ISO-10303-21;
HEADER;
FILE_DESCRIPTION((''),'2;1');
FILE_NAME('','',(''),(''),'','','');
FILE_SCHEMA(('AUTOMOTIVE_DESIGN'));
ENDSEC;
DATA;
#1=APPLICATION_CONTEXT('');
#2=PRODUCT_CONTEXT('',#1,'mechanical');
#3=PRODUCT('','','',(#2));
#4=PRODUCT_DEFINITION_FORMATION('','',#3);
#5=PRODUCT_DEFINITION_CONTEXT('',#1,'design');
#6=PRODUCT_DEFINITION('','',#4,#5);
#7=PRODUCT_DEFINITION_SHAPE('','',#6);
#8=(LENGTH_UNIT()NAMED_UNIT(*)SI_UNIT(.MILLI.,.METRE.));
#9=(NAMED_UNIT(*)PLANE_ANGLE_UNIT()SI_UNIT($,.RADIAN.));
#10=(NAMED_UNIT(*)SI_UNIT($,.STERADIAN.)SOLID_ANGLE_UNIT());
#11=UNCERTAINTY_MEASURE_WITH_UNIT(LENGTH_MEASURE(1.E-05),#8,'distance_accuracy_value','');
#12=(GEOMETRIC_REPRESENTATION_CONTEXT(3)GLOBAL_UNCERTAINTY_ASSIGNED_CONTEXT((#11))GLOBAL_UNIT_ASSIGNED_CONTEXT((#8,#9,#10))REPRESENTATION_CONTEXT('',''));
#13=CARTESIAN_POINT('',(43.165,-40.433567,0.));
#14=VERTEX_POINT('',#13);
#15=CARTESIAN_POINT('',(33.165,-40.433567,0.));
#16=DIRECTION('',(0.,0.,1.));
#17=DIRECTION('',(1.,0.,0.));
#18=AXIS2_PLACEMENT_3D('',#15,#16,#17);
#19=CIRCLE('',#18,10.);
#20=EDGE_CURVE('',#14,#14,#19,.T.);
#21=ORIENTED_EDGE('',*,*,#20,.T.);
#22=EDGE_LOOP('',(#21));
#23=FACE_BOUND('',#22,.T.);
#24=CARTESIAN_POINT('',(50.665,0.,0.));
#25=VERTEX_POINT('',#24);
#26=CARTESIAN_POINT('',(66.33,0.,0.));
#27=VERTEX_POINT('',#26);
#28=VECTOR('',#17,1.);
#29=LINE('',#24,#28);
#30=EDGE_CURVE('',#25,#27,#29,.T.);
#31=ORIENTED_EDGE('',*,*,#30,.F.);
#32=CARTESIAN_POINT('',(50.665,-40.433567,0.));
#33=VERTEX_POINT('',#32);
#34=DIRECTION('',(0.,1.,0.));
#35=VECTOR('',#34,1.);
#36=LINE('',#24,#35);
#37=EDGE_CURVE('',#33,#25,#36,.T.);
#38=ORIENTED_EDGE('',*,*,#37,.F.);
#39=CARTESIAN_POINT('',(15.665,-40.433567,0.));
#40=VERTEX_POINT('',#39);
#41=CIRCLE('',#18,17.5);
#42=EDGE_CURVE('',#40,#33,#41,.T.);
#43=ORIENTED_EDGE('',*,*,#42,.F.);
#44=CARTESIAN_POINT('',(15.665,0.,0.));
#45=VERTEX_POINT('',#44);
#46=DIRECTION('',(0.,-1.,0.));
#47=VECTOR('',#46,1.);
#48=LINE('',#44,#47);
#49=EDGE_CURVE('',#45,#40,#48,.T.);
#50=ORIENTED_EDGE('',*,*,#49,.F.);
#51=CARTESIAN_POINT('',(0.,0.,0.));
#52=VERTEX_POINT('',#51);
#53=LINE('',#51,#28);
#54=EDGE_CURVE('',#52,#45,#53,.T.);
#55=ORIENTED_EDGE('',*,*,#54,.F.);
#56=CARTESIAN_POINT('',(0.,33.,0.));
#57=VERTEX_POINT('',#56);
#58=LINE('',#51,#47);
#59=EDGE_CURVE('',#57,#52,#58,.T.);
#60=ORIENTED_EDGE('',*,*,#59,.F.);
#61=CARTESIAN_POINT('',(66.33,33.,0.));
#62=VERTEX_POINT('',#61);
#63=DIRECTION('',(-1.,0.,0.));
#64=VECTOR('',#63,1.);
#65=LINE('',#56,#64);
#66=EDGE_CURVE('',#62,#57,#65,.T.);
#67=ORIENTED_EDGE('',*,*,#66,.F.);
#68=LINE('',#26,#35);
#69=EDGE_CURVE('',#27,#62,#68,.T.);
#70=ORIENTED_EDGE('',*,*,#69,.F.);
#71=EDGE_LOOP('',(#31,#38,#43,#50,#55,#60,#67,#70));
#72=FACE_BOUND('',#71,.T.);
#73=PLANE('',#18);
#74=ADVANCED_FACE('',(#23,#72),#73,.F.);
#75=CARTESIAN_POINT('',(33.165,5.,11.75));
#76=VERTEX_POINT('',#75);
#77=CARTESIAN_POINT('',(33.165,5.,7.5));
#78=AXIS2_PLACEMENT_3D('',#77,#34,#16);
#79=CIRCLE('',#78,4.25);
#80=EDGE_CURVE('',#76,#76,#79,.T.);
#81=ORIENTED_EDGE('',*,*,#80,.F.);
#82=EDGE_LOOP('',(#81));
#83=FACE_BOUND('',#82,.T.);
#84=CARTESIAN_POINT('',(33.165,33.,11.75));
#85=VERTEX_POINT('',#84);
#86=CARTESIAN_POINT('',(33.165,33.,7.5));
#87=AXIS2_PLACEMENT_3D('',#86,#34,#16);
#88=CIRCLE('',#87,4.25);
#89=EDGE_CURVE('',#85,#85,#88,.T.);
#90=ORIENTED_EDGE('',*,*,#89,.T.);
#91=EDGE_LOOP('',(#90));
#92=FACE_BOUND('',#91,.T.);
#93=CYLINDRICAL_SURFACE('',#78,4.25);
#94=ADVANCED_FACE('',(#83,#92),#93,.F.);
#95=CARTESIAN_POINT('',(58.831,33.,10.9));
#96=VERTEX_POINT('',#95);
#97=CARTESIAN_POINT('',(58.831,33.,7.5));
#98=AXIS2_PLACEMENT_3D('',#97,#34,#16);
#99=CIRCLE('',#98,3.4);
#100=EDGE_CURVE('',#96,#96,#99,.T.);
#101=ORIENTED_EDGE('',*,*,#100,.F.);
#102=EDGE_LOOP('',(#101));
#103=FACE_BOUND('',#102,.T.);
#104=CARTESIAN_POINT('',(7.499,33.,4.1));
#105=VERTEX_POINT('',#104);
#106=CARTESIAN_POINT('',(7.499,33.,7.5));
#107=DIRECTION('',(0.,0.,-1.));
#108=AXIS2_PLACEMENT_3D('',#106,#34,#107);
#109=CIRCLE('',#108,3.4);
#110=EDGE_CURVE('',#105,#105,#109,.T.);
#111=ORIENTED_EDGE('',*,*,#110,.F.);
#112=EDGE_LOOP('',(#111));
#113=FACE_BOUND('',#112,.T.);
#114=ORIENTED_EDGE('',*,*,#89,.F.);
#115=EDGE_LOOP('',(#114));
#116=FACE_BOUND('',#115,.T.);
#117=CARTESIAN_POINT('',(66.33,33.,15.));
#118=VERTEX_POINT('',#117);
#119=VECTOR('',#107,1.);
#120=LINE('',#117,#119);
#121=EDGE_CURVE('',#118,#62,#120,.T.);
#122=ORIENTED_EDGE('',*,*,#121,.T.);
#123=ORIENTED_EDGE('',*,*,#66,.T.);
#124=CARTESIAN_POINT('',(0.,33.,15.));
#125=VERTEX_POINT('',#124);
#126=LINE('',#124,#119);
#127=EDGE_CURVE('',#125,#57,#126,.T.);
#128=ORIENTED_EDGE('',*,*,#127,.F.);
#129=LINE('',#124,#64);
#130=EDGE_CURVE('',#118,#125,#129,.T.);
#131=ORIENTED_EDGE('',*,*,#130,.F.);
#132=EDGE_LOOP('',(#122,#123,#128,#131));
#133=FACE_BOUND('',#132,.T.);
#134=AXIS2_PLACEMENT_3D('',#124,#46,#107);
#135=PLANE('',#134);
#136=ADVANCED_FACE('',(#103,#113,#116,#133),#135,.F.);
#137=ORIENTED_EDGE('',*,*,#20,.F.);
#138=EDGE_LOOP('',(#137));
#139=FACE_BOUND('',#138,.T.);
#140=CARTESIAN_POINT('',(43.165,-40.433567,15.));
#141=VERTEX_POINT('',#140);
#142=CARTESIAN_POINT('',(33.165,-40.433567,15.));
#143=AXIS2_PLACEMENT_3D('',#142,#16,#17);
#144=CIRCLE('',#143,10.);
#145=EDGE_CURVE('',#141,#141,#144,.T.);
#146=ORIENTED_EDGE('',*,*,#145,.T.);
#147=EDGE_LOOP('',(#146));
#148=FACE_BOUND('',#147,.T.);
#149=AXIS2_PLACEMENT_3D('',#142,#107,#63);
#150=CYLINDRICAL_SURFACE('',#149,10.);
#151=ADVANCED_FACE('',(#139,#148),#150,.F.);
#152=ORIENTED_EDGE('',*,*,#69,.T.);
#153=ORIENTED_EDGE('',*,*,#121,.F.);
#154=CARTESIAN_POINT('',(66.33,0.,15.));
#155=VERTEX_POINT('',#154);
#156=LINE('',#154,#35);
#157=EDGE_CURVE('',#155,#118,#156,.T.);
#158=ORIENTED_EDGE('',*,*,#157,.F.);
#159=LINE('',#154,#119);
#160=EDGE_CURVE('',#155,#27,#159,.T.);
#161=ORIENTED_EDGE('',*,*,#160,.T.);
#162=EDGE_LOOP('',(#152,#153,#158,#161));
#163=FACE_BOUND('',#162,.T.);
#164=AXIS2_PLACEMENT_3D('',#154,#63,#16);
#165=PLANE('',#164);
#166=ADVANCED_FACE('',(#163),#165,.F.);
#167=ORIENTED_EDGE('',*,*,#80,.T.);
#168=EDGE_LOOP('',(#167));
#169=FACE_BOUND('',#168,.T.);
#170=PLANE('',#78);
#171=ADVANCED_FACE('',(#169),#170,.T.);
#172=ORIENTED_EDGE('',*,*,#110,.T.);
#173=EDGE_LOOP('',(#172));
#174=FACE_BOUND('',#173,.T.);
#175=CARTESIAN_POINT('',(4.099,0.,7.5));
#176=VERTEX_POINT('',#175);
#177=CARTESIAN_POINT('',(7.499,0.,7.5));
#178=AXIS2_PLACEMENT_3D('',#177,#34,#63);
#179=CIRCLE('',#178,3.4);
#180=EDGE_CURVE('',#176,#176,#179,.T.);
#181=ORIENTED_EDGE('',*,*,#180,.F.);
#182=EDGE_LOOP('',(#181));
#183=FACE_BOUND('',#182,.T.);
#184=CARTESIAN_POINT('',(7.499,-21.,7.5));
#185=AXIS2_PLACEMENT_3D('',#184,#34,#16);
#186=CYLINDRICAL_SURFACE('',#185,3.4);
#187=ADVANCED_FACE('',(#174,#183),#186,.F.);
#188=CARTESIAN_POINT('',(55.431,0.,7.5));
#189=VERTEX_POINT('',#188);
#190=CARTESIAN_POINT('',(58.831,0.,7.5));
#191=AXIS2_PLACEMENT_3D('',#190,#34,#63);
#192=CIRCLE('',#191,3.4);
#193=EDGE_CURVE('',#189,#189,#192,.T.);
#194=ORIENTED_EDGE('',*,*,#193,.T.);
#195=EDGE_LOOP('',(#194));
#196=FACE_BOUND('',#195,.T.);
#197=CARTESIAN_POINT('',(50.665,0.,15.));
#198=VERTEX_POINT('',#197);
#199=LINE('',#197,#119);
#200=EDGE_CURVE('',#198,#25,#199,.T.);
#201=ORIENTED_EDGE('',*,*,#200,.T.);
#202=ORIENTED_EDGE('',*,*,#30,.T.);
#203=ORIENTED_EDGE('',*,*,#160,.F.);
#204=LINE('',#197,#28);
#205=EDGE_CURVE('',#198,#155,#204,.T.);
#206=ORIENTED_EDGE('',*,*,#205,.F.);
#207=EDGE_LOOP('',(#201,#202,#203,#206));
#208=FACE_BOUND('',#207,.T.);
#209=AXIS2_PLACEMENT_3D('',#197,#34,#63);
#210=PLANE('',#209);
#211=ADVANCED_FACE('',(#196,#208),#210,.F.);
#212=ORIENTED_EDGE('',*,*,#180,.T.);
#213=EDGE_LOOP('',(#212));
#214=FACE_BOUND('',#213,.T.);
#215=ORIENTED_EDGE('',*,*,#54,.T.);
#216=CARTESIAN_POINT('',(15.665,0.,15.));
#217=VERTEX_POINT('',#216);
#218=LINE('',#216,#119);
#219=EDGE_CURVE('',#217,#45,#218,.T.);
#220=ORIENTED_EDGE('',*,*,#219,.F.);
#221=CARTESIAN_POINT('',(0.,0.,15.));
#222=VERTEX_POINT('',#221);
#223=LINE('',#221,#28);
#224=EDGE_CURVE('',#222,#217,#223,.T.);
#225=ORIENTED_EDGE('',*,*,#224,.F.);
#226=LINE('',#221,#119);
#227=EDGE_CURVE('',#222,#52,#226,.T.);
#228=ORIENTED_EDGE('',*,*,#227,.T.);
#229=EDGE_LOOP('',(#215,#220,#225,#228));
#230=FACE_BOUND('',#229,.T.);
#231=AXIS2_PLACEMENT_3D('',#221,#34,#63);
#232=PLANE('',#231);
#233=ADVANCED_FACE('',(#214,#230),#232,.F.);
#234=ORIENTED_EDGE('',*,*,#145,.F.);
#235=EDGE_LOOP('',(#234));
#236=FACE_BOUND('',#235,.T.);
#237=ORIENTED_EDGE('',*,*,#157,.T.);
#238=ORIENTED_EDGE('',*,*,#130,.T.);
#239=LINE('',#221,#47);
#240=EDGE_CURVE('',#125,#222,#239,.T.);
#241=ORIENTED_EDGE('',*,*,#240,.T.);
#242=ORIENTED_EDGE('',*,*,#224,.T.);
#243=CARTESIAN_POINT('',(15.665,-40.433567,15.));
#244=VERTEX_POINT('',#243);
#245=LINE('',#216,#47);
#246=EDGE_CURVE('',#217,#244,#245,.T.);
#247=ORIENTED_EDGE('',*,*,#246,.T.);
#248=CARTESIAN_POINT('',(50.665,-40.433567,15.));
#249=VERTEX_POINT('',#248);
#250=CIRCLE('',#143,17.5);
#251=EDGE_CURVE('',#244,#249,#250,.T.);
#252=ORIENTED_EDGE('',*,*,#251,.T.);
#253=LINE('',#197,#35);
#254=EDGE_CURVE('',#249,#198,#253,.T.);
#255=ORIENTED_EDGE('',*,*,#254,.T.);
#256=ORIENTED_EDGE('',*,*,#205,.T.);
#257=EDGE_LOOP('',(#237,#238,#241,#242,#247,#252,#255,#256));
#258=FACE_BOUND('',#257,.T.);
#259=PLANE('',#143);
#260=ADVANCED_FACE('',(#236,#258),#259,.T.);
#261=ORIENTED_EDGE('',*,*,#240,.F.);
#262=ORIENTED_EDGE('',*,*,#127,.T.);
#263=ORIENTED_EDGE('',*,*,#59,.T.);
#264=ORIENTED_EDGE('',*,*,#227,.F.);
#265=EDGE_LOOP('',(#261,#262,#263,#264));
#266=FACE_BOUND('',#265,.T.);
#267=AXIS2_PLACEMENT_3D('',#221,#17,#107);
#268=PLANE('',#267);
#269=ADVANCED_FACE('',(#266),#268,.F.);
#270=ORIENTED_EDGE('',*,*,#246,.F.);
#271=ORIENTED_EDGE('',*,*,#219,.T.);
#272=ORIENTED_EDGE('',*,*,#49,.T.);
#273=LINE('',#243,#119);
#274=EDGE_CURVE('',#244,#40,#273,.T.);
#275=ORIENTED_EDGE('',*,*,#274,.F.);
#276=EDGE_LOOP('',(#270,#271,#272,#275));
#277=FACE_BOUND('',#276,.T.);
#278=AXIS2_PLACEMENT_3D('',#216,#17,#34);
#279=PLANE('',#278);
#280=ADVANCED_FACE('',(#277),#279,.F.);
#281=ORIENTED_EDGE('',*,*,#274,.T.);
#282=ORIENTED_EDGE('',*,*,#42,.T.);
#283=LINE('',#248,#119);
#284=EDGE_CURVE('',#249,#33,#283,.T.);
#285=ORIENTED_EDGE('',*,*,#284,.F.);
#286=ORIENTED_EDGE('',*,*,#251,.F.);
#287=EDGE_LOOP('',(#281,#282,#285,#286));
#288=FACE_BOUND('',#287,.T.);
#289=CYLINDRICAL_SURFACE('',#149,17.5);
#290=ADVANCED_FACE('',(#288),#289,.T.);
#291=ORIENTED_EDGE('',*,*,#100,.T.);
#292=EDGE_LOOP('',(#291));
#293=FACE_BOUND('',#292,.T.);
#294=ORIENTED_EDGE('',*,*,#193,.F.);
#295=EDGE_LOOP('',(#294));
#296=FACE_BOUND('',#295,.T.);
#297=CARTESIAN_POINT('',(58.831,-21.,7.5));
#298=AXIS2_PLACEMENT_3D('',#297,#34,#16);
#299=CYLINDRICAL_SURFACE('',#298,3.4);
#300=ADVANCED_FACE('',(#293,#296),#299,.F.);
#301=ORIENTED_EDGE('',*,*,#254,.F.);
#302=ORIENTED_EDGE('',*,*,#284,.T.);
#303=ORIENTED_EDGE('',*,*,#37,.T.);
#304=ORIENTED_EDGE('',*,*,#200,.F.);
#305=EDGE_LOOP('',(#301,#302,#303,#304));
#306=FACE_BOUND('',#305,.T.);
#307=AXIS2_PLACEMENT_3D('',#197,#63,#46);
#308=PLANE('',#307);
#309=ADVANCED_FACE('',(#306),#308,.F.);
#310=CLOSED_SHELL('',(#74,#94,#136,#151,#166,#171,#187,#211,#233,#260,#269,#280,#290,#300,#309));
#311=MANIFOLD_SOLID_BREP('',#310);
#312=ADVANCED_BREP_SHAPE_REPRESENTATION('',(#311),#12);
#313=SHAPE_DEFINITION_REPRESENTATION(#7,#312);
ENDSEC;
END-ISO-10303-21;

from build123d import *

# Parameters (mm, degrees)
SKETCH1_R           = 10
BOSS_EXTRUDE1_DEPTH = 15
SKETCH2_R           = 3.4
CUT_EXTRUDE1_DEPTH  = 54
SKETCH3_R           = 4.25
CUT_EXTRUDE2_DEPTH  = 28


with BuildPart() as part:
    # Sketch1 → Boss-Extrude1 (new body)
    with BuildSketch(Plane.XY):
        with BuildLine():
            Line((0, 0), (0, 33))
            Line((0, 33), (66.33, 33))
            Line((66.33, 33), (66.33, 0))
            Line((66.33, 0), (50.665, 0))
            Line((50.665, 0), (50.665, -40.433566532))
            ThreePointArc((50.665, -40.433566532), (33.165, -57.933566532), (15.665, -40.433566532))
            Line((15.665, -40.433566532), (15.665, 0))
            Line((15.665, 0), (0, 0))
        make_face()
        with Locations((33.165, -40.433566532)):
            Circle(SKETCH1_R, mode=Mode.SUBTRACT)
    extrude(amount=BOSS_EXTRUDE1_DEPTH)

    # Sketch2 → Cut-Extrude1 (cut)
    with BuildSketch(Plane(origin=(0, 33, 0), x_dir=(1, 0, 0), z_dir=(0, 1, 0))):
        with Locations(Location((58.831, -7.5, 0), (0, 0, 270))):
            Circle(SKETCH2_R)
        with Locations(Location((7.499, -7.5, 0), (0, 0, 180))):
            Circle(SKETCH2_R)
    extrude(amount=-CUT_EXTRUDE1_DEPTH, mode=Mode.SUBTRACT)

    # Sketch3 → Cut-Extrude2 (cut)
    with BuildSketch(Plane(origin=(0, 33, 0), x_dir=(1, 0, 0), z_dir=(0, 1, 0))):
        with Locations(Location((33.165, -7.5, 0), (0, 0, 270))):
            Circle(SKETCH3_R)
    extrude(amount=-CUT_EXTRUDE2_DEPTH, mode=Mode.SUBTRACT)


solid = part.part
